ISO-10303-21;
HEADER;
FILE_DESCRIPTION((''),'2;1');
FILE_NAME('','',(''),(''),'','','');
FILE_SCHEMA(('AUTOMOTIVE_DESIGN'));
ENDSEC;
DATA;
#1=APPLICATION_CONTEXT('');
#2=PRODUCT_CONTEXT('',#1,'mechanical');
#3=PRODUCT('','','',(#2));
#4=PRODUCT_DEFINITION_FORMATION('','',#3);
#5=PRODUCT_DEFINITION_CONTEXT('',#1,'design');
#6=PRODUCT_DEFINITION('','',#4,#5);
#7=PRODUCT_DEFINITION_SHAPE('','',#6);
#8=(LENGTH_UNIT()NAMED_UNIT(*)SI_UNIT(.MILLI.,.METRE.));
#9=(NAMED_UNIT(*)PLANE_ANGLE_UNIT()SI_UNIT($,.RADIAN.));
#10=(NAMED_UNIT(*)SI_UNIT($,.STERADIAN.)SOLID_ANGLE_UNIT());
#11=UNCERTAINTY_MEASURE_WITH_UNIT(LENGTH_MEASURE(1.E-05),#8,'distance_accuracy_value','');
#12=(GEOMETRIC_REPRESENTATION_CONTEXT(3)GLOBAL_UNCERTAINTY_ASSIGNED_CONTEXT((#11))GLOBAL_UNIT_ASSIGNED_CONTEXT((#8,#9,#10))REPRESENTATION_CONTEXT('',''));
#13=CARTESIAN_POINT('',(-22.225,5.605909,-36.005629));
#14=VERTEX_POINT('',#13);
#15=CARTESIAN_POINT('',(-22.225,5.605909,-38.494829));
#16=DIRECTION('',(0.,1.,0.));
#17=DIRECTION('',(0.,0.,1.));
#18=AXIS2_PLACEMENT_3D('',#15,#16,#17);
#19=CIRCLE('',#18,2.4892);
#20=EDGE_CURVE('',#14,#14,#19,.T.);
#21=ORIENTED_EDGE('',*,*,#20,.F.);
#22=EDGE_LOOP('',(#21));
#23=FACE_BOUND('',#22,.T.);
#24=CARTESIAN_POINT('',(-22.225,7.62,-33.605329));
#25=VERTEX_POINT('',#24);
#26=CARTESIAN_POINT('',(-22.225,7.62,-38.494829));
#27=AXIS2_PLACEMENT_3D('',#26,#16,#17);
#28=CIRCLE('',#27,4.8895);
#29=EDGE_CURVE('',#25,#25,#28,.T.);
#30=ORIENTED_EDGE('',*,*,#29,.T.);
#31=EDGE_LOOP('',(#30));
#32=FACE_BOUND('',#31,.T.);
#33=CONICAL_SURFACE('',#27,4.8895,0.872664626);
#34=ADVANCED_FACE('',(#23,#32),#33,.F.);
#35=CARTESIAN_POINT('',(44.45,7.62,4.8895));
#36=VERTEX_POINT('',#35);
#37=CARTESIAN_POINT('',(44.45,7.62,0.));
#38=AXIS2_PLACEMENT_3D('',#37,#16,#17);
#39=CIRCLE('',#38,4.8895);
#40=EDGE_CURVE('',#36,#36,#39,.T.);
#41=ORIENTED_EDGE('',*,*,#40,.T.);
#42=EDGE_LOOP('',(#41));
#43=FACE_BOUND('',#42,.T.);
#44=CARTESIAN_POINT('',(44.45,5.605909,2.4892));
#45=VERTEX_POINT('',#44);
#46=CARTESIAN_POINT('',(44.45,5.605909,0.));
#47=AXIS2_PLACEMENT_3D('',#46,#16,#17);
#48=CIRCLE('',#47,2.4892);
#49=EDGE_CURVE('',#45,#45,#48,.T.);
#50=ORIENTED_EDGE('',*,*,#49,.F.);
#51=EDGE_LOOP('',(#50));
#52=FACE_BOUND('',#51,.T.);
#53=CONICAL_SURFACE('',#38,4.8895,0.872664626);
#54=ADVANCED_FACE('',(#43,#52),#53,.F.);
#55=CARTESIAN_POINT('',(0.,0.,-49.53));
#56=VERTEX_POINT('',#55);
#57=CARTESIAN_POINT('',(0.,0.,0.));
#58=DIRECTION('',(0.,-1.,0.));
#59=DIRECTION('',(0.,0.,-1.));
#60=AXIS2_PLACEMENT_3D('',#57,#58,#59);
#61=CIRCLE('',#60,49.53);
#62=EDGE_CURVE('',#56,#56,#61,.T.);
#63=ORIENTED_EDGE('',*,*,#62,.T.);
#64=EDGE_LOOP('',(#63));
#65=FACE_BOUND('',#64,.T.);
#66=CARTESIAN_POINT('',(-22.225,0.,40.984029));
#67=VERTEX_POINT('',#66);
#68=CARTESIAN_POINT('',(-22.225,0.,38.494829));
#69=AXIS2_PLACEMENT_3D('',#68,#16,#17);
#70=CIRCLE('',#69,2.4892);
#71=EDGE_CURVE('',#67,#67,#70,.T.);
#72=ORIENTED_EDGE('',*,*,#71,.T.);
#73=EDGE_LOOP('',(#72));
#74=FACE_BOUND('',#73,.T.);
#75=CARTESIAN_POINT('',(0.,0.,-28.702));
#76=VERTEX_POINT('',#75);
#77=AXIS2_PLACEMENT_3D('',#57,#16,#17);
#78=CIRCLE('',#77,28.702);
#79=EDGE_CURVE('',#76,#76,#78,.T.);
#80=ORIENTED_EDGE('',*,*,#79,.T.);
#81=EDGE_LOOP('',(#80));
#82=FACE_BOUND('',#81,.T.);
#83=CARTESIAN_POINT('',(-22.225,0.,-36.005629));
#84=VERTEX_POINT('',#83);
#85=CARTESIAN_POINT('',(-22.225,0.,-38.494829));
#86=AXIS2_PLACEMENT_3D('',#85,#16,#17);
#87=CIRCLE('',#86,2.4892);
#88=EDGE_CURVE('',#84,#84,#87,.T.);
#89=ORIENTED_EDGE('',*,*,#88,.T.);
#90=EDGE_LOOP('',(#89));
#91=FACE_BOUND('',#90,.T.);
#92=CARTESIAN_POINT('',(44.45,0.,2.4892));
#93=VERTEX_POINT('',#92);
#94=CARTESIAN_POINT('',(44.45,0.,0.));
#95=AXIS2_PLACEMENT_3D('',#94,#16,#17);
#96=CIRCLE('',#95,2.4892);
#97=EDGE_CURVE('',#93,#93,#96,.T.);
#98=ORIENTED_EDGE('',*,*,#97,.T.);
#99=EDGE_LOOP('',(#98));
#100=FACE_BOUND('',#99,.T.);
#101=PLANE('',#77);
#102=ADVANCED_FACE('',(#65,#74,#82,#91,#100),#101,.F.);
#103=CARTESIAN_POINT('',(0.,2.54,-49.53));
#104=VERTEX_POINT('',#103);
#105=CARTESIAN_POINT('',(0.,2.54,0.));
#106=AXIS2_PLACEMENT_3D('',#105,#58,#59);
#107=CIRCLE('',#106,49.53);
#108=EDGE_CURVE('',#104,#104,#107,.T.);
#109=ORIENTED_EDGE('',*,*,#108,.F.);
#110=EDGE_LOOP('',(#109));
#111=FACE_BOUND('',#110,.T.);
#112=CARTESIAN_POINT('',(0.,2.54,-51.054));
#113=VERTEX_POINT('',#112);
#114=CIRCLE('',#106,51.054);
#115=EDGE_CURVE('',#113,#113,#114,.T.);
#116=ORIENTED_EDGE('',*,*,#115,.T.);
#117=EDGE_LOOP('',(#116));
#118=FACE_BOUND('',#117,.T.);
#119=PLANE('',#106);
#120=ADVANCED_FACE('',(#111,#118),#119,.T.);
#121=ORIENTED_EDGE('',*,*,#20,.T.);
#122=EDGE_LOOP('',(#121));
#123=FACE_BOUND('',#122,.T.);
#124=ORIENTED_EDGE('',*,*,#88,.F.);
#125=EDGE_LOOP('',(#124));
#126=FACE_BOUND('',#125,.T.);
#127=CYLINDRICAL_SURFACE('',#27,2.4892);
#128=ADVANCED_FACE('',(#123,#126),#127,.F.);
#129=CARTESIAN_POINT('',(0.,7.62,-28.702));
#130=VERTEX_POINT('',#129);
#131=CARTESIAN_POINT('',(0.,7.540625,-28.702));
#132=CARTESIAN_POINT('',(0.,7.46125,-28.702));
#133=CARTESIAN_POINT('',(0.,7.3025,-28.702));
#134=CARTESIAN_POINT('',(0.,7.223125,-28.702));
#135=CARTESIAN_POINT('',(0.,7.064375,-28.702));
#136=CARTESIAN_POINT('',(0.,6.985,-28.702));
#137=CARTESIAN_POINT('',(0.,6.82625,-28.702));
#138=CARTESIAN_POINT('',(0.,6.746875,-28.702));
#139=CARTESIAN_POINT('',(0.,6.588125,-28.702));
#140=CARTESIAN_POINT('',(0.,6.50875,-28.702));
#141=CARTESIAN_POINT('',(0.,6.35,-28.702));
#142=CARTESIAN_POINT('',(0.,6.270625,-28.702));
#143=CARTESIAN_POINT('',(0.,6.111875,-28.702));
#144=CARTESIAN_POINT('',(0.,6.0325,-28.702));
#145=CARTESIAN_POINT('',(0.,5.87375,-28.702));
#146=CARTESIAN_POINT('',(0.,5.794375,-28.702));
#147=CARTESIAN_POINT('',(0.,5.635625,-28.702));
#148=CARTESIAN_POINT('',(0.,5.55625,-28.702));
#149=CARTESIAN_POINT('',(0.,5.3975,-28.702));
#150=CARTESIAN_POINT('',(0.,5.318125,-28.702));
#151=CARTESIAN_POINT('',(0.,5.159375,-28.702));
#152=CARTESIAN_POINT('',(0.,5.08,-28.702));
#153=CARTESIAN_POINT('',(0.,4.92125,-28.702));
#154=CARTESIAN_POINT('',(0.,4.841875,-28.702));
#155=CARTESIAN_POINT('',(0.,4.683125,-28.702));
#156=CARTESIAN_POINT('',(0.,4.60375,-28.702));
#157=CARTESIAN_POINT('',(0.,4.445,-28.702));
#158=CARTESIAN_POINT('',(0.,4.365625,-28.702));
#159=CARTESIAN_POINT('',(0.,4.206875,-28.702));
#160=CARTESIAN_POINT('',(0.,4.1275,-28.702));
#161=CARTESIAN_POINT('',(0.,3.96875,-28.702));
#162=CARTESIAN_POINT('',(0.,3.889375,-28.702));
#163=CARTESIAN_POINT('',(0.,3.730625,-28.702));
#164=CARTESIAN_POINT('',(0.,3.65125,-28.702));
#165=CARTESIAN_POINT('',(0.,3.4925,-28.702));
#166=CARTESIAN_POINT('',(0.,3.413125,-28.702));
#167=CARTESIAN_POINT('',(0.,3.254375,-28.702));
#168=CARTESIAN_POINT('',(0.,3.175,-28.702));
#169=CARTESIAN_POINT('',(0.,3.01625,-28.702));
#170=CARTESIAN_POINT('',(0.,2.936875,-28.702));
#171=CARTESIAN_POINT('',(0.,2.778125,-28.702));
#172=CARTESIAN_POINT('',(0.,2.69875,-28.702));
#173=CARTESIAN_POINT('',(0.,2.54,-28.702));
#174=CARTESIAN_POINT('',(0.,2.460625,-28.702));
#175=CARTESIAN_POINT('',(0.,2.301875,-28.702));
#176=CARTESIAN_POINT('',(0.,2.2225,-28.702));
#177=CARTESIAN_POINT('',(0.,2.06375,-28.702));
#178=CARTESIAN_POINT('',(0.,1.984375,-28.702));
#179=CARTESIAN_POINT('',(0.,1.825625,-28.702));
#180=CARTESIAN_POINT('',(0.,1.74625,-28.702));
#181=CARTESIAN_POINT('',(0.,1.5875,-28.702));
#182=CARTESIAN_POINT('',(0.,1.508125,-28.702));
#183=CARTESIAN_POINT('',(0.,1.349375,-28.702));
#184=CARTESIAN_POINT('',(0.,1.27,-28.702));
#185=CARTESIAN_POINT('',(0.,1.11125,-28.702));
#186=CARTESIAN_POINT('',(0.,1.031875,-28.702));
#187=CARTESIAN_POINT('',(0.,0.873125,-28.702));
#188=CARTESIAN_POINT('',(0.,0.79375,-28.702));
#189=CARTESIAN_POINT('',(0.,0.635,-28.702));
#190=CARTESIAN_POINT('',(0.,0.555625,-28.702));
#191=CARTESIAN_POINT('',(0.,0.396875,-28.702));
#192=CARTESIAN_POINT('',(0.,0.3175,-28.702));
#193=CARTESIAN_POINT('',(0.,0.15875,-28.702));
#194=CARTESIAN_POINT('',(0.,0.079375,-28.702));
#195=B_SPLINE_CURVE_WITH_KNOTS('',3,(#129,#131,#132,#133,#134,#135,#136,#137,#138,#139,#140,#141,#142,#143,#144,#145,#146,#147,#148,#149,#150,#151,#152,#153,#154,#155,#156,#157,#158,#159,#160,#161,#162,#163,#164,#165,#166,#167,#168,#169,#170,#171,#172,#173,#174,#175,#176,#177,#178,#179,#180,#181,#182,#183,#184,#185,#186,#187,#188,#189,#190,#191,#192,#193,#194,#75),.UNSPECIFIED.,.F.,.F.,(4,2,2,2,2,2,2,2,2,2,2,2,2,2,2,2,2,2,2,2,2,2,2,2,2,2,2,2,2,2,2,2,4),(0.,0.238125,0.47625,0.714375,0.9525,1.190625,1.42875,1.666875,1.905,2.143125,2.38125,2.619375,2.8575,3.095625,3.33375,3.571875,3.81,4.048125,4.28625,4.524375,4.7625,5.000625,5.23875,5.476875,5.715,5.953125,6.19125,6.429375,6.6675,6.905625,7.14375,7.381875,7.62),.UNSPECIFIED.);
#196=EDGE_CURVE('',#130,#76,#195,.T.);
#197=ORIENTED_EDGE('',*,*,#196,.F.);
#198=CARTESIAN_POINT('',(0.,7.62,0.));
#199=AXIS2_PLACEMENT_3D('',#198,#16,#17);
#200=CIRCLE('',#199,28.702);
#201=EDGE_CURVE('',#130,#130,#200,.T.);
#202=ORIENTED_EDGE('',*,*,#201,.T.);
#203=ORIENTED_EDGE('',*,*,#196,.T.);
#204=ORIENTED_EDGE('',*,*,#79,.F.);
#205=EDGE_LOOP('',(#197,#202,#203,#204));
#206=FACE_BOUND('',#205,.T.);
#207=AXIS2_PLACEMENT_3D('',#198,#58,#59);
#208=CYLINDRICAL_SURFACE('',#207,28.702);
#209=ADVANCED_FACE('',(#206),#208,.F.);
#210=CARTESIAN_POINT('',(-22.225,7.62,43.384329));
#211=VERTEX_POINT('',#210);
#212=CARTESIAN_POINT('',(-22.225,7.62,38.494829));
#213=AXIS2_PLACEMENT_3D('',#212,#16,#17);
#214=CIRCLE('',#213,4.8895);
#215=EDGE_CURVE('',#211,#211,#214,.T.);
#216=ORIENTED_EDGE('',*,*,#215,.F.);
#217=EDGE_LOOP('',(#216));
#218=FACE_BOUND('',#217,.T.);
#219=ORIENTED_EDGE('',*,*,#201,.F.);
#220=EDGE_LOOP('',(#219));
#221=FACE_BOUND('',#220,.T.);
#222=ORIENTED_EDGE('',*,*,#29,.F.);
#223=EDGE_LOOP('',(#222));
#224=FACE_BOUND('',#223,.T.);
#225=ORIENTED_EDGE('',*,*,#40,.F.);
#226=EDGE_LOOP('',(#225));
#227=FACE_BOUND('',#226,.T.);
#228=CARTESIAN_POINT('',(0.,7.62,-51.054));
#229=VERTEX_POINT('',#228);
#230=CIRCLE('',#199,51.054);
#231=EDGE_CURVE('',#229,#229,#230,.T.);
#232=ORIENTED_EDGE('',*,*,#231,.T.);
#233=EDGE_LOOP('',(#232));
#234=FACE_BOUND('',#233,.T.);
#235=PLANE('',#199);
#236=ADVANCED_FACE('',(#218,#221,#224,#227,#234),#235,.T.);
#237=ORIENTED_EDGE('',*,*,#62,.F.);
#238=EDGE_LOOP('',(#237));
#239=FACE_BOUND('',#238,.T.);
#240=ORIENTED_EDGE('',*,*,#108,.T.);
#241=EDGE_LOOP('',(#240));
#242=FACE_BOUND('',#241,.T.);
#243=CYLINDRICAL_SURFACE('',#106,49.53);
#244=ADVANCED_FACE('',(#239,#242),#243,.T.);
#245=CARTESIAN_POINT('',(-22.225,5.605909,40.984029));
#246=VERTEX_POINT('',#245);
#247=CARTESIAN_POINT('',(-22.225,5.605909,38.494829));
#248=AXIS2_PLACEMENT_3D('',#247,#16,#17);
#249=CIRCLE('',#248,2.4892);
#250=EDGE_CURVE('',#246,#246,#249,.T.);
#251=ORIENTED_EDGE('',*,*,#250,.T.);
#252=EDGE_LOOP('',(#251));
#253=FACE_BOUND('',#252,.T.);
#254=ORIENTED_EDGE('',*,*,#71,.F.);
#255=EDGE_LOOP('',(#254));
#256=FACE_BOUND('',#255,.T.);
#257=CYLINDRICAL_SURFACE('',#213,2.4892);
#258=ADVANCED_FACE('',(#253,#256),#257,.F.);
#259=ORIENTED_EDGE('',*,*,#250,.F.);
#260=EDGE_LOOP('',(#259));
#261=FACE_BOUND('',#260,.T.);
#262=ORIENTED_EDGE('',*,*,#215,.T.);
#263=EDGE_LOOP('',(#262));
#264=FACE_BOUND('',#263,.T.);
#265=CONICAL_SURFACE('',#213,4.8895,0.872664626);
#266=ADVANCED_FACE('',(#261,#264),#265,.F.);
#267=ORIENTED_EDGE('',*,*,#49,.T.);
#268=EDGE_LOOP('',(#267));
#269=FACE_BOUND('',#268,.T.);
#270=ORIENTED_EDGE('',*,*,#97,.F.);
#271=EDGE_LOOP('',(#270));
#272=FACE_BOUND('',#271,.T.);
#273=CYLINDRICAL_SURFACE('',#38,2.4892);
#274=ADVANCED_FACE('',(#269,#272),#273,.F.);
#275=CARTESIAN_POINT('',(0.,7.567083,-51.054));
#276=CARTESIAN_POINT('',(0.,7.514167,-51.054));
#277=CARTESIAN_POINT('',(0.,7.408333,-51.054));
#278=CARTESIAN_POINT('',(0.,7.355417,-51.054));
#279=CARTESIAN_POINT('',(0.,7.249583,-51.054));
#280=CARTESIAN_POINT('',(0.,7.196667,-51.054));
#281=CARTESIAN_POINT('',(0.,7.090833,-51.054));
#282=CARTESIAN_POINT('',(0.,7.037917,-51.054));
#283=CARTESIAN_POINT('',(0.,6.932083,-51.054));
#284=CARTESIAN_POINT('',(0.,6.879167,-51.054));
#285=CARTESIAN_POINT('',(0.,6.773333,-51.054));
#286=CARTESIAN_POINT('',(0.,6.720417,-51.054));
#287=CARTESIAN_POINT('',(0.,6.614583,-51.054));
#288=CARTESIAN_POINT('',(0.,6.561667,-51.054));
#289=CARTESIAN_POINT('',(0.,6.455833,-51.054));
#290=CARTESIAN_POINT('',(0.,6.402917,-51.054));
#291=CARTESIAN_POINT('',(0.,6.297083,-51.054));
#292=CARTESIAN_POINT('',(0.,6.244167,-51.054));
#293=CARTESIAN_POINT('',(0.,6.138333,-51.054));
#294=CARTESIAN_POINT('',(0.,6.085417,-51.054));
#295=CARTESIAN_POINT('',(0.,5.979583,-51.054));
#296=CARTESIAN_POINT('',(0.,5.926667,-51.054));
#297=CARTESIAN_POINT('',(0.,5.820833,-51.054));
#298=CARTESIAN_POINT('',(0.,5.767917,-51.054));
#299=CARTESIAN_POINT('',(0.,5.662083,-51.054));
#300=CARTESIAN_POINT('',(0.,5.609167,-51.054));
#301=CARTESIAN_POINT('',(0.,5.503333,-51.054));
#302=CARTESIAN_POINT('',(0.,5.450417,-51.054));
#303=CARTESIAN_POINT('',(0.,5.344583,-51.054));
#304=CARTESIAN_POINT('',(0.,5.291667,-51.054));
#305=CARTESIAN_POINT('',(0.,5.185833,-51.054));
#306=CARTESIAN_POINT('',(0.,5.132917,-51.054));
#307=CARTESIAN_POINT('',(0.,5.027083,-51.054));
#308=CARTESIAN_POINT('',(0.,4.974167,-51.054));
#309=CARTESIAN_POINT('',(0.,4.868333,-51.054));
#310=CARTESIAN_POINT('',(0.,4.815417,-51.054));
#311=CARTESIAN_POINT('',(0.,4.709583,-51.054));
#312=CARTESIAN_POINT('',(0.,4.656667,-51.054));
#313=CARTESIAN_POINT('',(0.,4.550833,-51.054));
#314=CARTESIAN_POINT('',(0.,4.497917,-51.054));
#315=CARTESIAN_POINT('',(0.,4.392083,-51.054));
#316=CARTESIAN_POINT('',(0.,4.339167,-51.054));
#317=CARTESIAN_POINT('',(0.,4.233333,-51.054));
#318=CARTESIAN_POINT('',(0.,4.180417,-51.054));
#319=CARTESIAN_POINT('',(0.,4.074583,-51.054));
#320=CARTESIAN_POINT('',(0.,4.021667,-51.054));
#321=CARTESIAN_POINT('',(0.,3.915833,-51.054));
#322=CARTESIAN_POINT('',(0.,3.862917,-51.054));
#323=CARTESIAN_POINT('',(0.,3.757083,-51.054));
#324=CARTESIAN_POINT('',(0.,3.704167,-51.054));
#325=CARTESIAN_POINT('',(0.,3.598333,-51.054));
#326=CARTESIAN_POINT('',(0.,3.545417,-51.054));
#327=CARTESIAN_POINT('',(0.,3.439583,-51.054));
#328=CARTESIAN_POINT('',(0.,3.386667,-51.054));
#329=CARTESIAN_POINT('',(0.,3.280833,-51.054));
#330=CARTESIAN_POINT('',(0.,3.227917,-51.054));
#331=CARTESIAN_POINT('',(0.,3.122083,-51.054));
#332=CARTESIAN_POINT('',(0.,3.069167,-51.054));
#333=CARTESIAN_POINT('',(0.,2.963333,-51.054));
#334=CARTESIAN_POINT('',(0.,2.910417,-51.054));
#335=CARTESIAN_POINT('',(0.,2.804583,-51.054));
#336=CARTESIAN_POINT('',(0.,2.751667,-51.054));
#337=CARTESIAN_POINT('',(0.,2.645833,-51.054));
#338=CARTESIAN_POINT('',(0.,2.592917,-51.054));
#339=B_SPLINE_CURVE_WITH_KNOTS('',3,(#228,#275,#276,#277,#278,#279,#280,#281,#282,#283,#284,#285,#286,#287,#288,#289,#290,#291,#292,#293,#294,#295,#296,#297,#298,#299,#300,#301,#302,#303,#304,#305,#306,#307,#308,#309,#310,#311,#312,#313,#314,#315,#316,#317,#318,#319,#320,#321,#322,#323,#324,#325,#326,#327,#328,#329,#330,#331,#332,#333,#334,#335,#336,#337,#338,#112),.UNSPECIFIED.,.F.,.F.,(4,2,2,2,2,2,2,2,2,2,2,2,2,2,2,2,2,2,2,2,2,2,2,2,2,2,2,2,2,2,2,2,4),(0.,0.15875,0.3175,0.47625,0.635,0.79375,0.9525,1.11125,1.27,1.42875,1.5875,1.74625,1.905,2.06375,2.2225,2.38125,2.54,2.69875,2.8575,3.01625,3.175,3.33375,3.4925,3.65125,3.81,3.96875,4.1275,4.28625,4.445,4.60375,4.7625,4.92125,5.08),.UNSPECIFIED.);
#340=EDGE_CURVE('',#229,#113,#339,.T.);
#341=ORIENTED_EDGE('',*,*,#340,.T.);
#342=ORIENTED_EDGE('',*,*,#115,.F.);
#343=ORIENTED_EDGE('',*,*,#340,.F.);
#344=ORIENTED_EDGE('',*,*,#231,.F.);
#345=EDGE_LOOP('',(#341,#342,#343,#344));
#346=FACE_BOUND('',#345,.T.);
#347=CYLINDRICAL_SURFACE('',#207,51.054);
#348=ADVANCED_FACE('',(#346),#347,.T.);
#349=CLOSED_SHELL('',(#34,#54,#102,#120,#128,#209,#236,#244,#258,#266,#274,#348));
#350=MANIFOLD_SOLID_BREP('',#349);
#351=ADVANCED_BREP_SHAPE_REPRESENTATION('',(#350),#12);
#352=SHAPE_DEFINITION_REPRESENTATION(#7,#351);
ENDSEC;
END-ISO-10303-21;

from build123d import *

# Parameters (mm, degrees)
SKETCH1_R                                          = 51.054
SKETCH1_R_2                                        = 28.702
BOSS_EXTRUDE1_DEPTH                                = 7.62
CSK_FOR_10_FLAT_HEAD_MACHINE_SCREW_100_D           = 4.9784
CSK_FOR_10_FLAT_HEAD_MACHINE_SCREW_100_CSINK_D     = 9.779
CSK_FOR_10_FLAT_HEAD_MACHINE_SCREW_100_CSINK_ANGLE = 100
CIRPATTERN1_COUNT                                  = 3
SKETCH6_R                                          = 51.054
SKETCH6_R_2                                        = 49.53
CUT_EXTRUDE1_DEPTH                                 = 2.54


with BuildPart() as part:
    # Sketch1 → Boss-Extrude1 (new body)
    with BuildSketch(Plane(origin=(0, 0, 0), x_dir=(1, 0, 0), z_dir=(0, 1, 0))):
        with Locations(Location((0, 0, 0), (0, 0, 90))):
            Circle(SKETCH1_R)
        with Locations(Location((0, 0, 0), (0, 0, 90))):
            Circle(SKETCH1_R_2, mode=Mode.SUBTRACT)
    extrude(amount=BOSS_EXTRUDE1_DEPTH)

    # CSK for #10 Flat Head Machine Screw (100)1 (through all)
    with Locations(Plane(origin=(0, 7.62, 0), x_dir=(1, 0, 0), z_dir=(0, 1, 0))):
        with Locations((44.45, 0)):
            csk_for_10_flat_head_machine_screw_100 = CounterSinkHole(CSK_FOR_10_FLAT_HEAD_MACHINE_SCREW_100_D / 2, CSK_FOR_10_FLAT_HEAD_MACHINE_SCREW_100_CSINK_D / 2, counter_sink_angle=CSK_FOR_10_FLAT_HEAD_MACHINE_SCREW_100_CSINK_ANGLE)

    # CirPattern1: CSK for #10 Flat Head Machine Screw (100)1 ×3 about axis
    cirpattern1_axis = Axis((0, 0, 0), (0, 1, 0))
    for i in range(1, CIRPATTERN1_COUNT):
        add(csk_for_10_flat_head_machine_screw_100.rotate(cirpattern1_axis, i * 360 / CIRPATTERN1_COUNT), mode=Mode.SUBTRACT)

    # Sketch6 → Cut-Extrude1 (cut)
    with BuildSketch(Plane.XZ):
        with Locations(Location((0, 0, 0), (0, 0, 270))):
            Circle(SKETCH6_R)
        with Locations(Location((0, 0, 0), (0, 0, 270))):
            Circle(SKETCH6_R_2, mode=Mode.SUBTRACT)
    extrude(amount=-CUT_EXTRUDE1_DEPTH, mode=Mode.SUBTRACT)


solid = part.part
